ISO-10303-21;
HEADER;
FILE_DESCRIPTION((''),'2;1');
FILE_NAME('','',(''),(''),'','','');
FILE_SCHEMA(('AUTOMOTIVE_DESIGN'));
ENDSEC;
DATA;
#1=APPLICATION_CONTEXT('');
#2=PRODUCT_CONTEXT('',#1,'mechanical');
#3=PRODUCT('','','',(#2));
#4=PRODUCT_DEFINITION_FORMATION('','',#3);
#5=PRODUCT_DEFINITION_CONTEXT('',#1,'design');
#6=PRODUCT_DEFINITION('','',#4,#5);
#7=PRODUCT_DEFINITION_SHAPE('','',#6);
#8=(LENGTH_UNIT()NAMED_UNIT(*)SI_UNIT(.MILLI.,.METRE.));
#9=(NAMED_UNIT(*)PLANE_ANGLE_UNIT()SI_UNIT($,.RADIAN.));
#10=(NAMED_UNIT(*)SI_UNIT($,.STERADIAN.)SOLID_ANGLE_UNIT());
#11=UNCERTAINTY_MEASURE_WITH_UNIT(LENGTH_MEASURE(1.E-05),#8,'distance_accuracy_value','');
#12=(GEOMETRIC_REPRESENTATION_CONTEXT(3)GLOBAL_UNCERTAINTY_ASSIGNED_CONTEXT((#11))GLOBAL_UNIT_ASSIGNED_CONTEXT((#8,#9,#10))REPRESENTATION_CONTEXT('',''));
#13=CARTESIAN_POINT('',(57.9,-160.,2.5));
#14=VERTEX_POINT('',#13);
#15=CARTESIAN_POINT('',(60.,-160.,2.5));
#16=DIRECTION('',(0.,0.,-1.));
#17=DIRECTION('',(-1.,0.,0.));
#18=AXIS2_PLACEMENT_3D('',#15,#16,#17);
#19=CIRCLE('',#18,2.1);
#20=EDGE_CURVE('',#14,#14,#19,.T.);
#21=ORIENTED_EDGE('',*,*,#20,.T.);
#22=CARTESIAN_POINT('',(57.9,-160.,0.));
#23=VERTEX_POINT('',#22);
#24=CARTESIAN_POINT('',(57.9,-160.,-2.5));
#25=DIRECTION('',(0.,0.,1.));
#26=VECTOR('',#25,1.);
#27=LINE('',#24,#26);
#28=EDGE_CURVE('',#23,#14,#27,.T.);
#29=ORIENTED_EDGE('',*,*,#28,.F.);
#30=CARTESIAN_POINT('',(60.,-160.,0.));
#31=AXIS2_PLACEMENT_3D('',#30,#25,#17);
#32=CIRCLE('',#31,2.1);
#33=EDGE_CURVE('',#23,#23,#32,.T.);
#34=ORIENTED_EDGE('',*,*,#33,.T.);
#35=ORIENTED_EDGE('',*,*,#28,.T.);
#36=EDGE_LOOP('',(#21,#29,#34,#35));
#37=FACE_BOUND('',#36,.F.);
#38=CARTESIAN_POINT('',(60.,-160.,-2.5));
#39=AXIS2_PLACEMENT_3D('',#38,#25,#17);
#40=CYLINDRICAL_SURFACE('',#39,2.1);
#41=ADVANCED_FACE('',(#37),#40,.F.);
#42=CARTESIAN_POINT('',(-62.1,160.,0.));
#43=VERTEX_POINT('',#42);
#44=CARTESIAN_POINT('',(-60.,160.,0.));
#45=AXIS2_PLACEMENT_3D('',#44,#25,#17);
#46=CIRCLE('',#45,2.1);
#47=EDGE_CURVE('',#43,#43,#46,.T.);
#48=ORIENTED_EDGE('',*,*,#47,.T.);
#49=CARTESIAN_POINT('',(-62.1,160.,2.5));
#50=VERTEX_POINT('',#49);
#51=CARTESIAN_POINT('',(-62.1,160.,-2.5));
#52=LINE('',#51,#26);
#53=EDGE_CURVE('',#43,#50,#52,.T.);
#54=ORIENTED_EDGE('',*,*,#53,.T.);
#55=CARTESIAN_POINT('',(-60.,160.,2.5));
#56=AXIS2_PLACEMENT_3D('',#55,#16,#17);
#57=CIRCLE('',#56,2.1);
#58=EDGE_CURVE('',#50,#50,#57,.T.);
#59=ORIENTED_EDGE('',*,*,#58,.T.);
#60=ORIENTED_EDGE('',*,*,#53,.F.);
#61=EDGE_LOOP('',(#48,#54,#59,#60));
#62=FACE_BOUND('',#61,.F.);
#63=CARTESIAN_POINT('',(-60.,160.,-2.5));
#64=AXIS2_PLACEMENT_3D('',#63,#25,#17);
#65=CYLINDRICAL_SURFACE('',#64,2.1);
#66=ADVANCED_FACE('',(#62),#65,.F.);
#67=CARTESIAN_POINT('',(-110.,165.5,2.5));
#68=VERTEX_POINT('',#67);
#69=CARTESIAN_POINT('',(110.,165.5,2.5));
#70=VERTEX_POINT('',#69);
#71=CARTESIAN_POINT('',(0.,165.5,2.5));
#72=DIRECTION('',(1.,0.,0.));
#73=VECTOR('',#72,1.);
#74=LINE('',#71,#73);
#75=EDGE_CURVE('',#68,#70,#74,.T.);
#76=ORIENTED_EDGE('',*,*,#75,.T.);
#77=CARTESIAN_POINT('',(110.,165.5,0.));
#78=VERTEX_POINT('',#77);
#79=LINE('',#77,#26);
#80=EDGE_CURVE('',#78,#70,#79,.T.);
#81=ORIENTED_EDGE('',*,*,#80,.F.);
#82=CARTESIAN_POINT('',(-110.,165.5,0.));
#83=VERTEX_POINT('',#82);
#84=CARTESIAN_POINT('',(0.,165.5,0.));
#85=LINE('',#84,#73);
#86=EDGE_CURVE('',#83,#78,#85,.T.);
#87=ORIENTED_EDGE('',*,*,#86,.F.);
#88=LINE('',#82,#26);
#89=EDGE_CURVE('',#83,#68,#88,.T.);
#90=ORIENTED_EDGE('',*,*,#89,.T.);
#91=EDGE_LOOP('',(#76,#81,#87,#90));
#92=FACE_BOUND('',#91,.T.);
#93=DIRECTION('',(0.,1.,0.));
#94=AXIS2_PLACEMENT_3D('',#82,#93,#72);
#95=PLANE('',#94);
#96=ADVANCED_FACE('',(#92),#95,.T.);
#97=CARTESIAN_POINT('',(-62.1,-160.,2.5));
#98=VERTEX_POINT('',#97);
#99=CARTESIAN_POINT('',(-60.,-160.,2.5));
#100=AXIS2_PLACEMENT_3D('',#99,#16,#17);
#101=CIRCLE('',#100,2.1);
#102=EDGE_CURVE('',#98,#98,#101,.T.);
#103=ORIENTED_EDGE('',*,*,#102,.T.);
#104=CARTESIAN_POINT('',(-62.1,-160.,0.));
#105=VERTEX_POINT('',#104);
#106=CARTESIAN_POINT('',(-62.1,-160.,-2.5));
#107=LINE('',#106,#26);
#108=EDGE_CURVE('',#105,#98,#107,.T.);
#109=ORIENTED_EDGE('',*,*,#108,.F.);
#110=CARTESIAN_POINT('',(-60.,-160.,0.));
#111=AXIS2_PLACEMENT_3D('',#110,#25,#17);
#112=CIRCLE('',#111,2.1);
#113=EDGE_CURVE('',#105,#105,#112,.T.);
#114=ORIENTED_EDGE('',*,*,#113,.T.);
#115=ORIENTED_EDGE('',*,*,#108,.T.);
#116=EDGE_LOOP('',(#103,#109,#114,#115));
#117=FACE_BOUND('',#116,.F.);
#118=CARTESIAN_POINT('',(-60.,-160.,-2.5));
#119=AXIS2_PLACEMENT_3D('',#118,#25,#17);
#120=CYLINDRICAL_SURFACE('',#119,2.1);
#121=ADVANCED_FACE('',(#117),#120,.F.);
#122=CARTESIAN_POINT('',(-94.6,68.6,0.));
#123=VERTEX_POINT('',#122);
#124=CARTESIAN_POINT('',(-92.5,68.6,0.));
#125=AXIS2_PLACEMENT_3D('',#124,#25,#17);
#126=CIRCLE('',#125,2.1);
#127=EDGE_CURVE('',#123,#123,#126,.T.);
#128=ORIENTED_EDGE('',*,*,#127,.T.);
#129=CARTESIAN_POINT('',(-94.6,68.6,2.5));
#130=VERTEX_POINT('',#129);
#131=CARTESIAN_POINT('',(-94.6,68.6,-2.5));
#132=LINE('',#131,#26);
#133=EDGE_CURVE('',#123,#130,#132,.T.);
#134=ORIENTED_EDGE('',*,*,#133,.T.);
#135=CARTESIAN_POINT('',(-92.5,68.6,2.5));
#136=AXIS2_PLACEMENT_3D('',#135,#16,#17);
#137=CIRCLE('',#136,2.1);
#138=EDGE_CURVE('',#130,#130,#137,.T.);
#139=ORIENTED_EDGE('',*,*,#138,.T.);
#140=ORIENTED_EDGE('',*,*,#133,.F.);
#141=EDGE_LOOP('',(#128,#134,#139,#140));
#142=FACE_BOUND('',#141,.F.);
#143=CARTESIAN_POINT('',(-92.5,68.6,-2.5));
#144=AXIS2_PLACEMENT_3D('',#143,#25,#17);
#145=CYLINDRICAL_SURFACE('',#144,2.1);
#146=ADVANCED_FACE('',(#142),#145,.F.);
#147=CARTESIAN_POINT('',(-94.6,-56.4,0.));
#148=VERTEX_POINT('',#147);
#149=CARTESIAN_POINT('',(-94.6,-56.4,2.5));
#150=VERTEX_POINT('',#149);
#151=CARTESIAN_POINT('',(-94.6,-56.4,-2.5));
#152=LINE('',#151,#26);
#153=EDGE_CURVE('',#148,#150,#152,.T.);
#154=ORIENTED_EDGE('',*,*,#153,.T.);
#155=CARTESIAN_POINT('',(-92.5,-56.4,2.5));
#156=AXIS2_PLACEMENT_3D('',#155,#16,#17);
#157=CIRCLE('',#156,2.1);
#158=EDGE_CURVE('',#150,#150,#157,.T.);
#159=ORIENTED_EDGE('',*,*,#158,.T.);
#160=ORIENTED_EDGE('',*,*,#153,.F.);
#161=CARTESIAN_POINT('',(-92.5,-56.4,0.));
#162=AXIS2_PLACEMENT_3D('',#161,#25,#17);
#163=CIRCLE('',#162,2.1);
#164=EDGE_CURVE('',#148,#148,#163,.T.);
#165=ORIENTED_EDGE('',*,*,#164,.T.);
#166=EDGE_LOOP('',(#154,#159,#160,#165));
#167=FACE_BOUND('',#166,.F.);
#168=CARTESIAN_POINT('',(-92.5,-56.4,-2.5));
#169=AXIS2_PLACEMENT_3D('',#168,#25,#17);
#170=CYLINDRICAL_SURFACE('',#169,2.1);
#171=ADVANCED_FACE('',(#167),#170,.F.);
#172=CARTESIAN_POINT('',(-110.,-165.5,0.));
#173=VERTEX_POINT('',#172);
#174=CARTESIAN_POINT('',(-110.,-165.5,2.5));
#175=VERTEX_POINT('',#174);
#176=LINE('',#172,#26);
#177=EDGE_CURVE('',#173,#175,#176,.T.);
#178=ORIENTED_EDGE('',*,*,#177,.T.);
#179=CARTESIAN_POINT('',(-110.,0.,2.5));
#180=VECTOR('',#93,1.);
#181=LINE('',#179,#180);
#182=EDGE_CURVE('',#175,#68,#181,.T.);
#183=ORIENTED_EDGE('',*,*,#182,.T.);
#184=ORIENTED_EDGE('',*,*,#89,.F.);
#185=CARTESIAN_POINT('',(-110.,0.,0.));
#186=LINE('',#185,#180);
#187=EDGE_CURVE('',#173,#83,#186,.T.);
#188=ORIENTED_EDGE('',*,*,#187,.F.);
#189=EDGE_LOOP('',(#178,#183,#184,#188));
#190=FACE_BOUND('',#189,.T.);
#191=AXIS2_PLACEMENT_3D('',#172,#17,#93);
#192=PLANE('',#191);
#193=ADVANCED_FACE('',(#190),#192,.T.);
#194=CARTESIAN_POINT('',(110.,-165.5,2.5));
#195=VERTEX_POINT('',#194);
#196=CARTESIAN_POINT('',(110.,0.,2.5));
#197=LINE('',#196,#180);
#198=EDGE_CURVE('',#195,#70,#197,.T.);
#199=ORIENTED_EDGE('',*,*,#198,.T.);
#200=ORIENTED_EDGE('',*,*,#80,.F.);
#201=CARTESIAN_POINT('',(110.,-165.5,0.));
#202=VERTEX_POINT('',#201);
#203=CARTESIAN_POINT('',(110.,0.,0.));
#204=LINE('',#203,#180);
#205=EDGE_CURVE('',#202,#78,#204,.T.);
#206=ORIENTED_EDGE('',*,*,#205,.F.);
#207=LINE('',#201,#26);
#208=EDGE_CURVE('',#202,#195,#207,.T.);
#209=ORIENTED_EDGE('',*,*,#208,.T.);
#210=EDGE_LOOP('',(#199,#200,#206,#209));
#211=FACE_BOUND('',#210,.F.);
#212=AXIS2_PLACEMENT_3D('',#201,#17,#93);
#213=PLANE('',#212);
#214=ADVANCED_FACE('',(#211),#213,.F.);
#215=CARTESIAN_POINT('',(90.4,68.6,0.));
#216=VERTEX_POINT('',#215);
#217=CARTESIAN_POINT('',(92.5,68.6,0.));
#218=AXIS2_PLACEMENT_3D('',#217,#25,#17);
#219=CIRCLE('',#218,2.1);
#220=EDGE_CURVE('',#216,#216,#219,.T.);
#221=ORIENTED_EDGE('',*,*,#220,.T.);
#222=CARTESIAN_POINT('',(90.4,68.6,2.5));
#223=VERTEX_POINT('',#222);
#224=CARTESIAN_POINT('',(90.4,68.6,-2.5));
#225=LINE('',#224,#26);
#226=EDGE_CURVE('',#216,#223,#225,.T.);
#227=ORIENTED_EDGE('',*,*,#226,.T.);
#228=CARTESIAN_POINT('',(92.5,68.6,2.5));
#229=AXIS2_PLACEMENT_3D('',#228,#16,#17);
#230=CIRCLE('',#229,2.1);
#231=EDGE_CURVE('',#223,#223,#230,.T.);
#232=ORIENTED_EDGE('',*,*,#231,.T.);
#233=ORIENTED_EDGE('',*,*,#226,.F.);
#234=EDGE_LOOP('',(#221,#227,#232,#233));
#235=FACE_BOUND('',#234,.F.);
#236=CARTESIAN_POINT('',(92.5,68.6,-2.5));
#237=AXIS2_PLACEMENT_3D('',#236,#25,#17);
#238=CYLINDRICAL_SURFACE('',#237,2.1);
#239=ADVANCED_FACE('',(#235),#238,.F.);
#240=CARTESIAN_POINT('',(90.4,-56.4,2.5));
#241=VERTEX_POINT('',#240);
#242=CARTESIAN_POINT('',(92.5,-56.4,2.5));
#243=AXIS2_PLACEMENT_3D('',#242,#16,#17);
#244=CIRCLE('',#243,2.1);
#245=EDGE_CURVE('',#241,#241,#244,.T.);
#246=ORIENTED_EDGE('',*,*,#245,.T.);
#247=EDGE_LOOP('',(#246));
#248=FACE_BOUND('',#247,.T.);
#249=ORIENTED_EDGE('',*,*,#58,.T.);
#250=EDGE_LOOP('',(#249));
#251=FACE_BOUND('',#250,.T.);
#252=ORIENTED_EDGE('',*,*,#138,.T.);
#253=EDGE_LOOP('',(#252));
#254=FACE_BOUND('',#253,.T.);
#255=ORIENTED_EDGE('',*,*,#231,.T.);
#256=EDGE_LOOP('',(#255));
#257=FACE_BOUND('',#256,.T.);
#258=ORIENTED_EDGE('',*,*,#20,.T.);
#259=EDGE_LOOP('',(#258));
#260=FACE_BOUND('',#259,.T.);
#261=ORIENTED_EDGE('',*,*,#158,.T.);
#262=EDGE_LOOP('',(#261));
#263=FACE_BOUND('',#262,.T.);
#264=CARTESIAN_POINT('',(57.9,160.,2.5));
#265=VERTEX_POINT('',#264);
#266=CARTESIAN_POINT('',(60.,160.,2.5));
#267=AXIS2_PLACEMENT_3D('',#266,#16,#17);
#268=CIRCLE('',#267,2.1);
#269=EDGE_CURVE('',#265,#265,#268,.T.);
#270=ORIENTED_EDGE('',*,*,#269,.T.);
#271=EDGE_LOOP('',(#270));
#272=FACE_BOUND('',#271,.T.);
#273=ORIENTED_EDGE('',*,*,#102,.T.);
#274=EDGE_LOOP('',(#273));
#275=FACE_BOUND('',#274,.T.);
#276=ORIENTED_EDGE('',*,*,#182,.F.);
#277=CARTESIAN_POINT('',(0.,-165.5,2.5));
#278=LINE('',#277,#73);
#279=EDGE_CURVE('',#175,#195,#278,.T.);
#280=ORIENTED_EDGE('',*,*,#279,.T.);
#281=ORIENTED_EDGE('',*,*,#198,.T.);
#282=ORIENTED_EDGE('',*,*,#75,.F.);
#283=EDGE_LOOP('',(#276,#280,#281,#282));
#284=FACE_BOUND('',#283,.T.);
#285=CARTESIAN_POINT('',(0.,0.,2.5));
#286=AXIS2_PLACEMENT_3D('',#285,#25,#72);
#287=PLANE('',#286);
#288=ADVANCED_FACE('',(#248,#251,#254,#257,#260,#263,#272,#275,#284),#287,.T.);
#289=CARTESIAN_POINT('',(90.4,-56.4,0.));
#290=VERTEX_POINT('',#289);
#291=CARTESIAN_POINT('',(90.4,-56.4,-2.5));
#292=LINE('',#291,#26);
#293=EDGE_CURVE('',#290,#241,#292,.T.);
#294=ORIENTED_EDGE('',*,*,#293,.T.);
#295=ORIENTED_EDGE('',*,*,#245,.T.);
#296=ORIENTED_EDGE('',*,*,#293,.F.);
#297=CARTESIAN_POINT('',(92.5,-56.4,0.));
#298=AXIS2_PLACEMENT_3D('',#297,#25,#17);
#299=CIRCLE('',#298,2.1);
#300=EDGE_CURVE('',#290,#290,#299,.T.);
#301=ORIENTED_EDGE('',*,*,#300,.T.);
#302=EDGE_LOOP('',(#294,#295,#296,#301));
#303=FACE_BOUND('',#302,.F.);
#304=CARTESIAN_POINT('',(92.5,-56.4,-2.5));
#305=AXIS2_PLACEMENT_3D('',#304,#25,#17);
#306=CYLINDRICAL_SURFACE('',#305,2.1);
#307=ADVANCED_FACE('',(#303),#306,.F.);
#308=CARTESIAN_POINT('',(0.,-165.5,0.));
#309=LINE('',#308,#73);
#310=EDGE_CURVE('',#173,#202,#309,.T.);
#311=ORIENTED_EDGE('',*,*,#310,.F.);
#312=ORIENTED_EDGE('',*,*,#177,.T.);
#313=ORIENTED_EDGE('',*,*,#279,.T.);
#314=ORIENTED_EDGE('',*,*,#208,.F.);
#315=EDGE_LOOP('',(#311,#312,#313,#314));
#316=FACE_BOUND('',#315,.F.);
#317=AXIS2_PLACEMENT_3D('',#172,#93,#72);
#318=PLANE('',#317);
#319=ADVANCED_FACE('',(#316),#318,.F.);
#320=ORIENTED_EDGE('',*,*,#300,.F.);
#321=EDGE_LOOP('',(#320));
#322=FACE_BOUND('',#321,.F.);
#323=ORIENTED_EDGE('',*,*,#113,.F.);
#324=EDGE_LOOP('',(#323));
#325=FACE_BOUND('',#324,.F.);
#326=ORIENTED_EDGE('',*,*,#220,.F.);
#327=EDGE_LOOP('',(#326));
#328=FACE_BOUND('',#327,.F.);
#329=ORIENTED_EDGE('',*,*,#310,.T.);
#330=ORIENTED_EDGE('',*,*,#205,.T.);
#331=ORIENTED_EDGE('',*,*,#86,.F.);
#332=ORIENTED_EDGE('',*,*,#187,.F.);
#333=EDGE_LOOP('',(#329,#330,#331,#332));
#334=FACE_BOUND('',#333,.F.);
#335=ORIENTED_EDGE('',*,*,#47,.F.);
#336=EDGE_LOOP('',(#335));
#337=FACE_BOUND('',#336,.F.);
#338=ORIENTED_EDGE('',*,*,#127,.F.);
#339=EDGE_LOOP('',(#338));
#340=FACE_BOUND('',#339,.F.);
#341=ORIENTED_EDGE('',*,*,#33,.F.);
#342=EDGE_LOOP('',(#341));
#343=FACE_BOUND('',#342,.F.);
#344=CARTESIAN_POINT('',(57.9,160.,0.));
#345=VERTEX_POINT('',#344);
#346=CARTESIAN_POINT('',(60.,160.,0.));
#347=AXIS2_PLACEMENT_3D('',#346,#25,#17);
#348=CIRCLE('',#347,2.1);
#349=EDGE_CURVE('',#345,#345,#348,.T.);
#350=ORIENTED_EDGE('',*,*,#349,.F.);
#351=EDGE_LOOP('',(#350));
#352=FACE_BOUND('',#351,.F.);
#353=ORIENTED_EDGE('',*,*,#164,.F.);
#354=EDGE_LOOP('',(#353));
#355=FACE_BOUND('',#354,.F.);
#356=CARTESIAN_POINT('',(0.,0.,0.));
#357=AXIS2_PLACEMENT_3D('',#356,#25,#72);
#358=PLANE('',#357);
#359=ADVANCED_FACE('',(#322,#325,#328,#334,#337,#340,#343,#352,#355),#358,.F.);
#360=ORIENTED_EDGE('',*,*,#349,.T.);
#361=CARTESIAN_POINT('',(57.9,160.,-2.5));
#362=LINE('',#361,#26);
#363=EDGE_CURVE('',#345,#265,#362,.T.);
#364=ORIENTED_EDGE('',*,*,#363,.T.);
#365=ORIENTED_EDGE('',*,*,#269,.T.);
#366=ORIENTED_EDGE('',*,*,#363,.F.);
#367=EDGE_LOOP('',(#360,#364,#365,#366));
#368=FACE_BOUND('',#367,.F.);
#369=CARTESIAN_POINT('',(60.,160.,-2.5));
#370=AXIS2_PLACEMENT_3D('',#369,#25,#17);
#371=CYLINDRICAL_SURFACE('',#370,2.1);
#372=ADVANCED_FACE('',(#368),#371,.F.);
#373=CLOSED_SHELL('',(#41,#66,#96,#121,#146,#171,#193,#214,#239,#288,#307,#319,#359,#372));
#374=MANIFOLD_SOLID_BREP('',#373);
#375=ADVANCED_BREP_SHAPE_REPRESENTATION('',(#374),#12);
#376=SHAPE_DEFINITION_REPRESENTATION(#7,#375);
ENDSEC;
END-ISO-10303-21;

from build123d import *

# Parameters (mm, degrees)
F0_W     = 220
F0_H     = 331
F2_DEPTH = 2.5
F3_D     = 4.2
F3_DEPTH = 2.5
F3_TIP   = 1.2618073


with BuildPart() as f2:
    # F0 (on Top) → F2 (new body)
    with BuildSketch(Plane.XY):
        Rectangle(F0_W, F0_H)
    extrude(amount=F2_DEPTH)

    # F3
    with Locations(Plane(origin=(0, 0, 0), x_dir=(1, 0, 0), z_dir=(0, 0, -1))):
        with Locations((60, -160), (-60, -160), (-92.5, -68.6), (92.5, -68.6), (92.5, 56.4), (-92.5, 56.4), (-60, 160), (60, 160)):
            Hole(F3_D / 2, depth=F3_DEPTH)
            with Locations((0, 0, -(F3_DEPTH + F3_TIP / 2))):  # 118° drill point
                Cone(0, F3_D / 2, F3_TIP, mode=Mode.SUBTRACT)


solid = f2.part
